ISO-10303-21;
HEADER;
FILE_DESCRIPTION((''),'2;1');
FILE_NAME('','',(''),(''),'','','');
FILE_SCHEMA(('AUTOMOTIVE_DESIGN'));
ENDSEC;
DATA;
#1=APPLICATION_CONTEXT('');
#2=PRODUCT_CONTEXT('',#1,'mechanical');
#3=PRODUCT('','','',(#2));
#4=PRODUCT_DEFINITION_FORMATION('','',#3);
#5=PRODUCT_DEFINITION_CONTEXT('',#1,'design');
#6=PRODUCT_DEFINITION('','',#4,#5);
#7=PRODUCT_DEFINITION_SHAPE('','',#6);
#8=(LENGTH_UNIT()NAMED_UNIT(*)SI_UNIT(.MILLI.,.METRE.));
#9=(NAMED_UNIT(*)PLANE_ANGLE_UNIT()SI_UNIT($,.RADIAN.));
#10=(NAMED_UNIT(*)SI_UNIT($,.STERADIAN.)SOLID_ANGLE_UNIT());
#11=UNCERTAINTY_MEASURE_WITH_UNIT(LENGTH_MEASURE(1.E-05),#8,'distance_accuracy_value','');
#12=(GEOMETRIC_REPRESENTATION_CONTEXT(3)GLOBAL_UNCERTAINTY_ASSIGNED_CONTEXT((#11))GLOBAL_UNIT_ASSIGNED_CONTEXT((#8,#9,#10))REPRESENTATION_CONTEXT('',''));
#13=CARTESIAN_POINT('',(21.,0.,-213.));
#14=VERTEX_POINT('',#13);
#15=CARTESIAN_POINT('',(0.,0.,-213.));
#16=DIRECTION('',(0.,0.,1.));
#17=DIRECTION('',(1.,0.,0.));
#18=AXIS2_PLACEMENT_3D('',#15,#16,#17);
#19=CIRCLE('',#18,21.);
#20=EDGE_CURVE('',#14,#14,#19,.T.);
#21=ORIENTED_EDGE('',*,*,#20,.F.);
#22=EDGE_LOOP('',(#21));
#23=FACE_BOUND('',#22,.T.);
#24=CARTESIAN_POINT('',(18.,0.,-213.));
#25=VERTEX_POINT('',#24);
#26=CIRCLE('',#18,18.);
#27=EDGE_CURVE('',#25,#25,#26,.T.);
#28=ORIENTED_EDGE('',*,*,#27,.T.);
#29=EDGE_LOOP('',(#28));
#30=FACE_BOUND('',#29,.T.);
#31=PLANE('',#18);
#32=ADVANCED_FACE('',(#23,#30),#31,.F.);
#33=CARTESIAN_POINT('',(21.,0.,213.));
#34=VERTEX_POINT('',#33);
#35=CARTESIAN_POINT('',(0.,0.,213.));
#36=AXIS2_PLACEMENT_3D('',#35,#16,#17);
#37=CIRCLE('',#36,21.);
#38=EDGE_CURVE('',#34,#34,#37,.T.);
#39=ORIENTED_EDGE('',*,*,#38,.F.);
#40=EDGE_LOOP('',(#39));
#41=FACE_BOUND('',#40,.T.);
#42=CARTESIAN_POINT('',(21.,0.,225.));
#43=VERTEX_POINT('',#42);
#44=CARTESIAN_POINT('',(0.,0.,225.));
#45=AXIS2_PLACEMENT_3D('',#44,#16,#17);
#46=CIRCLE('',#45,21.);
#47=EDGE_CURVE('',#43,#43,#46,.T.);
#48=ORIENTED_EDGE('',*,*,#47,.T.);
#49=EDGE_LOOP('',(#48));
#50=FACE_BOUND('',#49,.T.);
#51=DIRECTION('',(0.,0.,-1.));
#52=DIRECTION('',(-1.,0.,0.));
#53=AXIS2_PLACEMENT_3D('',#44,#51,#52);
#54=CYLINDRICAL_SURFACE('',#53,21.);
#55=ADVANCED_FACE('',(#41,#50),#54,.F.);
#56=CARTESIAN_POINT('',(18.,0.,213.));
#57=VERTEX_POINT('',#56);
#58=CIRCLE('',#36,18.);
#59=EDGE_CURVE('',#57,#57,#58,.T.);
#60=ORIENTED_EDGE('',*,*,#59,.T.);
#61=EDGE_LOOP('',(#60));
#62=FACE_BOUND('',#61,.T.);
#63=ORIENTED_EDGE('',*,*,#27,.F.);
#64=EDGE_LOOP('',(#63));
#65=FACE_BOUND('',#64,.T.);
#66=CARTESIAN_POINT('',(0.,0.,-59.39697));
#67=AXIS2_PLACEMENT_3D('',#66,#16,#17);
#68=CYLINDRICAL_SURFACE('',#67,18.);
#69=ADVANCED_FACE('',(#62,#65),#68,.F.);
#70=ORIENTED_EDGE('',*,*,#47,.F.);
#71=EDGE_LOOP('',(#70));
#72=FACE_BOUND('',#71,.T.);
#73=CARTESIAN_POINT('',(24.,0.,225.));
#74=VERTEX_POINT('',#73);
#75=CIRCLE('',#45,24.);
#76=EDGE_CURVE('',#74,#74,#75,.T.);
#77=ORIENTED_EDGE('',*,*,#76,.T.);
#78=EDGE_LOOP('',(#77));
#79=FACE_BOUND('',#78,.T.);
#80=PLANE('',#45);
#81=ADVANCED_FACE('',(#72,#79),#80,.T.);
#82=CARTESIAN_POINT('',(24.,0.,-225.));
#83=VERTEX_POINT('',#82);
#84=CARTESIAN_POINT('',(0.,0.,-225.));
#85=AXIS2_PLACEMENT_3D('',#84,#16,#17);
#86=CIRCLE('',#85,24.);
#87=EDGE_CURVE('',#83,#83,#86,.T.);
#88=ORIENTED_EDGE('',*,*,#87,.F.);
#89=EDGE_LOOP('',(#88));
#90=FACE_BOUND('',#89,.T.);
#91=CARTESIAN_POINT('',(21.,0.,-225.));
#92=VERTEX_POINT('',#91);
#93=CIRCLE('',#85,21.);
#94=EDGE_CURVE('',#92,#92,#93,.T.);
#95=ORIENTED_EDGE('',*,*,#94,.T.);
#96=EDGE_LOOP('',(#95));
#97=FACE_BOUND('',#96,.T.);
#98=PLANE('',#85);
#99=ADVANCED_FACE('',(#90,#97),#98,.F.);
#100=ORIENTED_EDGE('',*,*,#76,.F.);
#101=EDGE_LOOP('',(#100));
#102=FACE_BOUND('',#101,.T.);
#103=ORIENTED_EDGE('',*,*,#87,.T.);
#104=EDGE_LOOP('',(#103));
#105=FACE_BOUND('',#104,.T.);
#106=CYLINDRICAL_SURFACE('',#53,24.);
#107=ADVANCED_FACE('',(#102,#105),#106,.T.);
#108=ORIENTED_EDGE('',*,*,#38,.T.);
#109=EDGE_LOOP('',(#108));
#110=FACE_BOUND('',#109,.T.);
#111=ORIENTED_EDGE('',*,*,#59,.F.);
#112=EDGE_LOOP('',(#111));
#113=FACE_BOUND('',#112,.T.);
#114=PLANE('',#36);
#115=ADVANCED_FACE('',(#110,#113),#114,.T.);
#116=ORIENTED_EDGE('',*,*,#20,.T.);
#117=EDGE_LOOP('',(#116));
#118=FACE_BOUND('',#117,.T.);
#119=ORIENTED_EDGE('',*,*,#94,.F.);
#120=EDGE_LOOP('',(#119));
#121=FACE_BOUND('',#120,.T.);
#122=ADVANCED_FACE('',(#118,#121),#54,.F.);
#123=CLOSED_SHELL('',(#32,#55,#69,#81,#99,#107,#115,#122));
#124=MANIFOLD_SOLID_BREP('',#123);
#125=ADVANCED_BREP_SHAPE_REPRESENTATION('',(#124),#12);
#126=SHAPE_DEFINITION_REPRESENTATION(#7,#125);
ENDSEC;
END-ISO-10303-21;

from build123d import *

# Parameters (mm, degrees)
SKETCH_1_R      = 24
SKETCH_1_R_2    = 21
EXTRUDE_1_DEPTH = 225
EXTRUDE_START   = -225
SKETCH_2_R      = 21
SKETCH_2_R_2    = 18
EXTRUDE_2_DEPTH = 213


with BuildPart() as part:
    # 草图1 → 拉伸-薄壁1 (new, symmetric)
    with BuildSketch(Plane.XY):
        Circle(SKETCH_1_R)
        Circle(SKETCH_1_R_2, mode=Mode.SUBTRACT)
    extrude(amount=EXTRUDE_1_DEPTH, both=True)

    # 草图2 → 拉伸-薄壁2 (add)
    with BuildSketch(Plane.XY.offset(225).offset(EXTRUDE_START)):
        Circle(SKETCH_2_R)
        Circle(SKETCH_2_R_2, mode=Mode.SUBTRACT)
    extrude_2 = extrude(amount=EXTRUDE_2_DEPTH)

    # 镜向1: 拉伸-薄壁2 across plane
    add(extrude_2.mirror(Plane.XY))


solid = part.part
